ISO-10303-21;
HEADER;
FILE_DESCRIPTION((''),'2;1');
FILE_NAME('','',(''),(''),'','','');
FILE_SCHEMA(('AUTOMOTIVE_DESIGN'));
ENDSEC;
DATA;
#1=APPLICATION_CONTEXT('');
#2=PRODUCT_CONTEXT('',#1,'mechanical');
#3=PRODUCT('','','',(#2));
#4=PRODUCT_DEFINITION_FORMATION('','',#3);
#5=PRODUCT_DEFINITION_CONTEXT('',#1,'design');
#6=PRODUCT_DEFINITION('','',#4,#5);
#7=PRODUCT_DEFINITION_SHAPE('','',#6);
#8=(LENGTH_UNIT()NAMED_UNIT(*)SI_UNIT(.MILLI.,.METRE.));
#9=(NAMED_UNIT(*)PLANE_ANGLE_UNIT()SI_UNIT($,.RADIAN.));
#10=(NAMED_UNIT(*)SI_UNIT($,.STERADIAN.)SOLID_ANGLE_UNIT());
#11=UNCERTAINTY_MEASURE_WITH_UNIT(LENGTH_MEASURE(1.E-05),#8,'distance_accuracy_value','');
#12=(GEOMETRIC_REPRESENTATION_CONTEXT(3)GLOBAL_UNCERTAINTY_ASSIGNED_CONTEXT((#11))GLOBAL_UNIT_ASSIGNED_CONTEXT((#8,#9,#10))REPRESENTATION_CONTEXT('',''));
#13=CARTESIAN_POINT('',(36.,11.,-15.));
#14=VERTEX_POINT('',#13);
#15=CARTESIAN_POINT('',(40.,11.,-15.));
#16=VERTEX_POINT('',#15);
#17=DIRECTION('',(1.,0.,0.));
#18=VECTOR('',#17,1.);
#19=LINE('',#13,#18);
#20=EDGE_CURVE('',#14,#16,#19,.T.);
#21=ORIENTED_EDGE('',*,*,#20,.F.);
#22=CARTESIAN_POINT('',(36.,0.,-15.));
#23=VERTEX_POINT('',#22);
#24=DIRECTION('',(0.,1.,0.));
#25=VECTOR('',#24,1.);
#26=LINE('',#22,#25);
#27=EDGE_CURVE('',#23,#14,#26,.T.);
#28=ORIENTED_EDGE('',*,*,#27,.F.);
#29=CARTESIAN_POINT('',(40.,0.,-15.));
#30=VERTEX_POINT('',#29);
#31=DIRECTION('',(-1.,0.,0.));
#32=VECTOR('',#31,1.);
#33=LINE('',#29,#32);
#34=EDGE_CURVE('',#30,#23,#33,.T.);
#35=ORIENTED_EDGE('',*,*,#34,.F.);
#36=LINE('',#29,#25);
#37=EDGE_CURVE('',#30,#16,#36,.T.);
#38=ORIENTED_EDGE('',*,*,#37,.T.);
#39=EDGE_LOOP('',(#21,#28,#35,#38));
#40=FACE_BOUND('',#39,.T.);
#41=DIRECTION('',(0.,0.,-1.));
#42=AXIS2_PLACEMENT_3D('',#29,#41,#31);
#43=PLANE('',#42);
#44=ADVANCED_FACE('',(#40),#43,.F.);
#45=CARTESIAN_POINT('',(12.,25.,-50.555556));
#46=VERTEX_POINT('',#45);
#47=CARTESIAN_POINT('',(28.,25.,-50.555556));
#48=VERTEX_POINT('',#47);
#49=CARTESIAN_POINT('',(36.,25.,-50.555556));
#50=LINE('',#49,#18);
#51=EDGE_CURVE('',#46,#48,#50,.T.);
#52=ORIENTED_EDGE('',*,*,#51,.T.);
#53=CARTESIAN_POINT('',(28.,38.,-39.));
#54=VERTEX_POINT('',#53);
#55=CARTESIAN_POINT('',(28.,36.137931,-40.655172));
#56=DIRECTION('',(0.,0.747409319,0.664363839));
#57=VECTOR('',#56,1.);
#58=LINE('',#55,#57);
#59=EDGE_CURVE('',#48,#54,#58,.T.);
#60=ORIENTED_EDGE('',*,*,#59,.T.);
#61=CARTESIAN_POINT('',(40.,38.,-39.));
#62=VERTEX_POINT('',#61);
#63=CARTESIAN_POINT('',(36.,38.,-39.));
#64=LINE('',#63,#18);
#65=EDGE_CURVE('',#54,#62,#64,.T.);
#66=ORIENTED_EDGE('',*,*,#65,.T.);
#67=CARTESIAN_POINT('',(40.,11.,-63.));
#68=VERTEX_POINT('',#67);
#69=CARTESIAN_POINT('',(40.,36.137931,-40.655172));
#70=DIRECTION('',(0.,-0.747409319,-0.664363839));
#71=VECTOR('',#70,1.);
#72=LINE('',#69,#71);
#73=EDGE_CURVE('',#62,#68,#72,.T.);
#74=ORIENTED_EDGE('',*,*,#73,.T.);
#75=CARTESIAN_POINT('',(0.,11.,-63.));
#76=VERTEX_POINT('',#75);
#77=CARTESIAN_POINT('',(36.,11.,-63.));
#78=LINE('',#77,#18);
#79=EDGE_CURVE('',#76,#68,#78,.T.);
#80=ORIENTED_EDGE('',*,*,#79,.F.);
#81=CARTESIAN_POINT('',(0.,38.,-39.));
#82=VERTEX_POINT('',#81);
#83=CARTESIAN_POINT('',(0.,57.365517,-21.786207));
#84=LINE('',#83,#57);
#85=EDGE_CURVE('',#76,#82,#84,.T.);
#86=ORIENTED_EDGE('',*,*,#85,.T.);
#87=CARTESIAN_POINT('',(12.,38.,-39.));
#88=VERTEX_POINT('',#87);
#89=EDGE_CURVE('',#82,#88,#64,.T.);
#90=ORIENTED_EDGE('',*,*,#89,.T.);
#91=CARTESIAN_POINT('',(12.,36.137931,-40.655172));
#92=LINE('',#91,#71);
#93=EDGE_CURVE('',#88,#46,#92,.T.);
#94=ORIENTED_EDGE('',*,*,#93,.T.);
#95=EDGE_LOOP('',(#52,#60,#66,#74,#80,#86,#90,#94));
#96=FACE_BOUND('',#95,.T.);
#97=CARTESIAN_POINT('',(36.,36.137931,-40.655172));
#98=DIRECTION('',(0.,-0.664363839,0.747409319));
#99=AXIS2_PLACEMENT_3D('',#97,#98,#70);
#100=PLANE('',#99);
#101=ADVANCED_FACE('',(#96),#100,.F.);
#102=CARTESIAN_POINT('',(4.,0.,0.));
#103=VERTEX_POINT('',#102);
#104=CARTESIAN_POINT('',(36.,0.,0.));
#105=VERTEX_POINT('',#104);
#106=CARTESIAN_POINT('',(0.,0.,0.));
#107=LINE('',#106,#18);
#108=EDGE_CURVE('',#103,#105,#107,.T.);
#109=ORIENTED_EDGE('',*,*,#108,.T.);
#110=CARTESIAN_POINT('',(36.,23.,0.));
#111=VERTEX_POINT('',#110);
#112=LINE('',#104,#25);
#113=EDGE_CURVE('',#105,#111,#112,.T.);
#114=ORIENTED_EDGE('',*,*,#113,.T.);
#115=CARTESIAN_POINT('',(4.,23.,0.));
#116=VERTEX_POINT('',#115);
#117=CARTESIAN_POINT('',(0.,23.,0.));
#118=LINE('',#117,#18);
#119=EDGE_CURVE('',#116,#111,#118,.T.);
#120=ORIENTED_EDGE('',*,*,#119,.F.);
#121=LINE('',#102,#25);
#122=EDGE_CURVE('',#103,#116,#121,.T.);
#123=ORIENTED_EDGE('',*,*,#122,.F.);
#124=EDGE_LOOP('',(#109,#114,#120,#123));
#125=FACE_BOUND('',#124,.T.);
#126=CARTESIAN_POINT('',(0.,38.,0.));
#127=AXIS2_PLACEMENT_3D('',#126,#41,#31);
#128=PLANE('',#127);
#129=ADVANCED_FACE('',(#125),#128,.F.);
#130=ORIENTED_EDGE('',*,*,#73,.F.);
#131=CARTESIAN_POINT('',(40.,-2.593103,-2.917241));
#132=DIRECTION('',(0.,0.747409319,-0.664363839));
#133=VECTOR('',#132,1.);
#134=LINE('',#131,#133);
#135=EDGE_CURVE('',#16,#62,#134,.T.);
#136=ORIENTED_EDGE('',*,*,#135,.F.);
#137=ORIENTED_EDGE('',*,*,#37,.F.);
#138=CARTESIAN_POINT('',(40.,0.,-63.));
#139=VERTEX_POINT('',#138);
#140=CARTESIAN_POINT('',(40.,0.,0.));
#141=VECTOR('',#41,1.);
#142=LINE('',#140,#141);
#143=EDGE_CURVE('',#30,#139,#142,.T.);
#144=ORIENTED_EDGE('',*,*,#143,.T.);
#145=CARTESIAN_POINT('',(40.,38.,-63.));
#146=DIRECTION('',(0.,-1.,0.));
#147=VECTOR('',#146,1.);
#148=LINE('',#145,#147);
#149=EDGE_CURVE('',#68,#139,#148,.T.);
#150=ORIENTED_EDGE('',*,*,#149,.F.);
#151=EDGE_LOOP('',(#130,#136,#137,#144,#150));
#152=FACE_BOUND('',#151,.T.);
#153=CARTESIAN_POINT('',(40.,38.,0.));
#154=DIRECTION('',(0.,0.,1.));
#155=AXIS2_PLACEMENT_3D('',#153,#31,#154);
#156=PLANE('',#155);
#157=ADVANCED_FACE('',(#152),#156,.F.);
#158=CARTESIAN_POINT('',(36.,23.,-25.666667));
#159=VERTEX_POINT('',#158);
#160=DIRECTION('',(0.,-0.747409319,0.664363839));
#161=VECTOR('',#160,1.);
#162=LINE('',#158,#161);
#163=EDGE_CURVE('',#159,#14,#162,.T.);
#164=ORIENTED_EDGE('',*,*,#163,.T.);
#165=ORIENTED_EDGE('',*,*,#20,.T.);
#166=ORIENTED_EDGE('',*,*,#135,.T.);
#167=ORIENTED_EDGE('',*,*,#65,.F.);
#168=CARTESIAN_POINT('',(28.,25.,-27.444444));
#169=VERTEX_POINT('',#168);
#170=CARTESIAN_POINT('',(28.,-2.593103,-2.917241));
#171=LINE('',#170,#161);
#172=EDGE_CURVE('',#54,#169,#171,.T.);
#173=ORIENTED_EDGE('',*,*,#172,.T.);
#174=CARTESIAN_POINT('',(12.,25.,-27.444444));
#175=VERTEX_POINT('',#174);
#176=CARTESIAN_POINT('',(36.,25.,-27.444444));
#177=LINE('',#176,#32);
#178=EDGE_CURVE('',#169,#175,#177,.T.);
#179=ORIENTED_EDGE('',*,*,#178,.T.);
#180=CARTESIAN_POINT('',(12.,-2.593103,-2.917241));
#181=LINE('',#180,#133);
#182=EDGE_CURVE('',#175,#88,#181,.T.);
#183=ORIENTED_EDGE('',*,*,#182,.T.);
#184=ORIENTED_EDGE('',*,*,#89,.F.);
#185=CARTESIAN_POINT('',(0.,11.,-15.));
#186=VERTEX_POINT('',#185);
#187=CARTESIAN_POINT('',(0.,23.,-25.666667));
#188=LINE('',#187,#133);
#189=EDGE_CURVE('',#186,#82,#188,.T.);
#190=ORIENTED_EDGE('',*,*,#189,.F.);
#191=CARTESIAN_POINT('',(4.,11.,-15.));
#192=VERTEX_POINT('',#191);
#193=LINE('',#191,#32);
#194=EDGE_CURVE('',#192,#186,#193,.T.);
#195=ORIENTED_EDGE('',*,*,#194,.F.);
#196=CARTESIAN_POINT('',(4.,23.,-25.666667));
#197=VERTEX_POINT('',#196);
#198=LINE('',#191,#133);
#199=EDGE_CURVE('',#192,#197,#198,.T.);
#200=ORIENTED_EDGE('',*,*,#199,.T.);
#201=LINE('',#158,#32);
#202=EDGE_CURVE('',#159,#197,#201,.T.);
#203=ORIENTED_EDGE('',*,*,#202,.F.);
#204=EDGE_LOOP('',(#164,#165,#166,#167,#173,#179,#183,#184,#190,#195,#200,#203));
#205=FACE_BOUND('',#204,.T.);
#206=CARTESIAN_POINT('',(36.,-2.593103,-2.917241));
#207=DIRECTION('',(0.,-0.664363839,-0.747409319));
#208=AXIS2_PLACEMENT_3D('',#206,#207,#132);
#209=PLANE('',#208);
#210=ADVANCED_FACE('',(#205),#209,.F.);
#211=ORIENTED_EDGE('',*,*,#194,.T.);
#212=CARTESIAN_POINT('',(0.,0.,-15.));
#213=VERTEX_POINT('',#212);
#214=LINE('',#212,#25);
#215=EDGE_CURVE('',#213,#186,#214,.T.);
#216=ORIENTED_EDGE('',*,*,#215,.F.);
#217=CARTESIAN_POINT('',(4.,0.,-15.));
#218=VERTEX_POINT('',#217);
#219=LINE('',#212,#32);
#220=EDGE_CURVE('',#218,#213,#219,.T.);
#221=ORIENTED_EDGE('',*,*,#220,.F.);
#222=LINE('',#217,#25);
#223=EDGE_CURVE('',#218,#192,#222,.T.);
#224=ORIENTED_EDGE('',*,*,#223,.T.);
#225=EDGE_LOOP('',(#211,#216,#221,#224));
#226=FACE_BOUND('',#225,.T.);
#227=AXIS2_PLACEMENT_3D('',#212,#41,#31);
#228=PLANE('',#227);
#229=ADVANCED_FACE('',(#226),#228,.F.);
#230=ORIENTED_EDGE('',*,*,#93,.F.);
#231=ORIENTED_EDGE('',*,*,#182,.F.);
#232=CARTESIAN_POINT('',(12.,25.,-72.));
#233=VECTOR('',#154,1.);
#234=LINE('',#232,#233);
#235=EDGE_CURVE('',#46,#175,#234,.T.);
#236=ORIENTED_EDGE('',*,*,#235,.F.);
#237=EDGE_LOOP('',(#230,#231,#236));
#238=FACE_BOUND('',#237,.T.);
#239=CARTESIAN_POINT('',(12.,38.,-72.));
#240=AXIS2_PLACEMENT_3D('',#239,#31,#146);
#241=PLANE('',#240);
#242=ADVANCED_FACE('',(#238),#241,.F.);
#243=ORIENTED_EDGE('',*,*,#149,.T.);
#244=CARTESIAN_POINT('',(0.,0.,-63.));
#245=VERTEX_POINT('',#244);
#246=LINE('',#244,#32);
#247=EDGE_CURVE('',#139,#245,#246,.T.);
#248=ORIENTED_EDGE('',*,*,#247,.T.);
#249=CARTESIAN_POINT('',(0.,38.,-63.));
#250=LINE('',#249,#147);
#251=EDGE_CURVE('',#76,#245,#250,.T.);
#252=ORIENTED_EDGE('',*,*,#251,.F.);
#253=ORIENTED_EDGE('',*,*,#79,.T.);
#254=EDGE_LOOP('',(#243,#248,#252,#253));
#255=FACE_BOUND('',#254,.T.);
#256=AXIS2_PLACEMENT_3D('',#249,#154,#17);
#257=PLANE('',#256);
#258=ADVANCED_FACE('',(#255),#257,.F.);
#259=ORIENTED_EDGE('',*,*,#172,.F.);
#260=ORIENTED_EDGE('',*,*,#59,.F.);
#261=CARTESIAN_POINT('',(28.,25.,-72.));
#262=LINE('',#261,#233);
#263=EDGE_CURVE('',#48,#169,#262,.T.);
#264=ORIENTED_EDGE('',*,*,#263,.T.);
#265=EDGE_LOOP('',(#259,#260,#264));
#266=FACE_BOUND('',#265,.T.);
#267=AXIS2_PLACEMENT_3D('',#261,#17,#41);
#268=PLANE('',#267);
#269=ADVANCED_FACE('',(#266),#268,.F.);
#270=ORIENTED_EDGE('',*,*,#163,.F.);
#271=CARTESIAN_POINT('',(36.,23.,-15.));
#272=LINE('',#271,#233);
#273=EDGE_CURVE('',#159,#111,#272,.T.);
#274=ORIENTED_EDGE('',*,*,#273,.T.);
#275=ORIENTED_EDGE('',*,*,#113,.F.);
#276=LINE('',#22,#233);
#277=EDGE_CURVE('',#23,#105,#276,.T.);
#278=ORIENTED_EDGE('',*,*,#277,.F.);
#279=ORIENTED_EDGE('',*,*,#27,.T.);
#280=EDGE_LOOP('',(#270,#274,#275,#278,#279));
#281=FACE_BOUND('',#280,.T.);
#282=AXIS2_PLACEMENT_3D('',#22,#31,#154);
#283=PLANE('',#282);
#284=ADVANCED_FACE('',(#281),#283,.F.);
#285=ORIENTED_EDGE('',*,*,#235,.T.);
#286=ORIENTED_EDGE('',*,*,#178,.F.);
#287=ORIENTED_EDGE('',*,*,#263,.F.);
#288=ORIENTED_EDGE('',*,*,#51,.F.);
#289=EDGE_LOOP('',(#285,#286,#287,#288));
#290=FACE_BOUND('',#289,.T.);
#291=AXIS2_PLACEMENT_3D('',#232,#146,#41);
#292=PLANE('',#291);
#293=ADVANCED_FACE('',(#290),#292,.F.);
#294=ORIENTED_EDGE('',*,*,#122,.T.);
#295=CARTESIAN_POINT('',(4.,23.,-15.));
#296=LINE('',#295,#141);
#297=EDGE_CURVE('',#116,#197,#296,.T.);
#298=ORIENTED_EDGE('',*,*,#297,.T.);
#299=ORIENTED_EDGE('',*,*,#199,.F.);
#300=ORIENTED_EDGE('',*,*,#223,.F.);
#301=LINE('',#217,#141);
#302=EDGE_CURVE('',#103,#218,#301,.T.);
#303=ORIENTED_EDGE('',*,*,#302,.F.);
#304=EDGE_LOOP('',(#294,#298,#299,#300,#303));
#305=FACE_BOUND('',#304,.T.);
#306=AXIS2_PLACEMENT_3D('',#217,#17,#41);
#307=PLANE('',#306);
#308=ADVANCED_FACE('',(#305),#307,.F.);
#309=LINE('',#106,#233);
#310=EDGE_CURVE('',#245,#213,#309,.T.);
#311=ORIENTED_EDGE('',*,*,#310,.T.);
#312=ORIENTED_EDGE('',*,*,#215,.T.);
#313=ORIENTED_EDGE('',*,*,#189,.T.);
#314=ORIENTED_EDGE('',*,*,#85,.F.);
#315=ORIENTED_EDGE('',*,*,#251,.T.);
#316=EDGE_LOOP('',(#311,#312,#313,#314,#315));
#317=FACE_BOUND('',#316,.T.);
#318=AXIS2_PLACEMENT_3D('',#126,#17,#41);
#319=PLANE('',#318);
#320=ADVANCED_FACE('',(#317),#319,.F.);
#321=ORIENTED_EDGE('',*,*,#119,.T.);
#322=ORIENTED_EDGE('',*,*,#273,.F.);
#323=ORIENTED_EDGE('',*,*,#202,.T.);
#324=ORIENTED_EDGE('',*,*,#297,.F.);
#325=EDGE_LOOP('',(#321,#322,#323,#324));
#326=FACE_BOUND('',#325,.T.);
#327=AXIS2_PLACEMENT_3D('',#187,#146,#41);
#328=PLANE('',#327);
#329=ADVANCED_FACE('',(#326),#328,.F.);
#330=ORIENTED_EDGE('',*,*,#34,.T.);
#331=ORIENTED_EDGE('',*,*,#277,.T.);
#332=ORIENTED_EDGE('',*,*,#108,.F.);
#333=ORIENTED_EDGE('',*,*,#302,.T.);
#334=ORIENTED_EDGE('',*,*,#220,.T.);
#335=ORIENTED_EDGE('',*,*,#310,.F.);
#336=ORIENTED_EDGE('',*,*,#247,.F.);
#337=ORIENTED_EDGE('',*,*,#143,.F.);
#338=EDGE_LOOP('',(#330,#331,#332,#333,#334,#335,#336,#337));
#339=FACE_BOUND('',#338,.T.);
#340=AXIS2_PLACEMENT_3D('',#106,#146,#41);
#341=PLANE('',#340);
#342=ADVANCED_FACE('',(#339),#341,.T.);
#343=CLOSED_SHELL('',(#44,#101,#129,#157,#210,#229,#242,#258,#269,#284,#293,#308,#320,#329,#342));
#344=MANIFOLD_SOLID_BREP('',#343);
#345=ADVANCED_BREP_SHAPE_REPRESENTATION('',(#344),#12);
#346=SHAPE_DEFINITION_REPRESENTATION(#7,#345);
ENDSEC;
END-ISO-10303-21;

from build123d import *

# Parameters (mm, degrees)
CROQUIS1_W              = 40
CROQUIS1_H              = 63
SALIENTE_EXTRUIR1_DEPTH = 38
CROQUIS2_W              = 4
CROQUIS2_H              = 15
CORTAR_EXTRUIR1_DEPTH   = 38
CORTAR_EXTRUIR2_DEPTH   = 4
CORTAR_EXTRUIR14_DEPTH  = 60
CORTAR_EXTRUIR15_DEPTH  = 40
CROQUIS20_W             = 25.666666667
CROQUIS20_H             = 15
CROQUIS20_W_2           = 10.666666667
CORTAR_EXTRUIR16_DEPTH  = 40
CROQUIS22_W             = 16
CROQUIS22_H             = 13
CORTAR_EXTRUIR17_DEPTH  = 72
CORTAR_EXTRUIR19_DEPTH  = 40
SALIENTE_EXTRUIR2_DEPTH = 36
CORTAR_EXTRUIR20_DEPTH  = 4


with BuildPart() as part:
    # Croquis1 → Saliente-Extruir1 (new body)
    with BuildSketch(Plane(origin=(0, 0, 0), x_dir=(1, 0, 0), z_dir=(0, 1, 0))):
        with Locations((20, 31.5)):
            Rectangle(CROQUIS1_W, CROQUIS1_H)
    extrude(amount=SALIENTE_EXTRUIR1_DEPTH)

    # Croquis2 → Cortar-Extruir1 (cut)
    with BuildSketch(Plane(origin=(0, 38, 0), x_dir=(1, 0, 0), z_dir=(0, 1, 0))):
        with Locations((2, 7.5)):
            Rectangle(CROQUIS2_W, CROQUIS2_H)
        with Locations((38, 7.5)):
            Rectangle(CROQUIS2_W, CROQUIS2_H)
    extrude(amount=-CORTAR_EXTRUIR1_DEPTH, mode=Mode.SUBTRACT)

    # Croquis5 → Cortar-Extruir2 (cut)
    with BuildSketch(Plane(origin=(40, 0, 0), x_dir=(0, 0, -1), z_dir=(1, 0, 0))):
        Polygon((15, 38), (15, 11), (39, 38), align=None)
        Polygon((63, 38), (39, 38), (63, 11), align=None)
    extrude(amount=-CORTAR_EXTRUIR2_DEPTH, mode=Mode.SUBTRACT)

    # Croquis11 → Cortar-Extruir14 (cut)
    with BuildSketch(Plane(origin=(40, 0, 0), x_dir=(0, 0, -1), z_dir=(1, 0, 0))):
        Polygon((39, 38), (52.333333333, 23), (52.333333333, 38), align=None)
    extrude(amount=-CORTAR_EXTRUIR14_DEPTH, mode=Mode.SUBTRACT)

    # Croquis19 → Cortar-Extruir15 (cut)
    with BuildSketch(Plane(origin=(40, 0, 0), x_dir=(0, 0, -1), z_dir=(1, 0, 0))):
        Polygon((25.666666667, 23), (39, 38), (25.666666667, 38), align=None)
    extrude(amount=-CORTAR_EXTRUIR15_DEPTH, mode=Mode.SUBTRACT)

    # Croquis20 → Cortar-Extruir16 (cut)
    with BuildSketch(Plane(origin=(40, 0, 0), x_dir=(0, 0, -1), z_dir=(1, 0, 0))):
        with Locations((12.833333334, 30.5)):
            Rectangle(CROQUIS20_W, CROQUIS20_H)
        with Locations((57.666666667, 30.5)):
            Rectangle(CROQUIS20_W_2, CROQUIS20_H)
    extrude(amount=-CORTAR_EXTRUIR16_DEPTH, mode=Mode.SUBTRACT)

    # Croquis22 → Cortar-Extruir17 (cut)
    with BuildSketch(Plane.XY):
        with Locations((20, 31.5)):
            Rectangle(CROQUIS22_W, CROQUIS22_H)
    extrude(amount=-CORTAR_EXTRUIR17_DEPTH, mode=Mode.SUBTRACT)

    # Croquis23 → Cortar-Extruir19 (cut)
    with BuildSketch(Plane.ZY):
        Polygon((-63, 23), (-63, 11), (-52.333333333, 23), align=None)
        Polygon((-25.666666667, 23), (-15, 11), (-15, 23), align=None)
    extrude(amount=-CORTAR_EXTRUIR19_DEPTH, mode=Mode.SUBTRACT)

    # Croquis24 → Saliente-Extruir2 (add)
    with BuildSketch(Plane.ZY):
        Polygon((-15, 11), (-15, 23), (-25.666666667, 23), align=None)
    extrude(amount=-SALIENTE_EXTRUIR2_DEPTH)

    # Croquis26 → Cortar-Extruir20 (cut)
    with BuildSketch(Plane.ZY):
        Polygon((-15, 23), (-25.666666667, 23), (-15, 11), align=None)
    extrude(amount=-CORTAR_EXTRUIR20_DEPTH, mode=Mode.SUBTRACT)


solid = part.part
